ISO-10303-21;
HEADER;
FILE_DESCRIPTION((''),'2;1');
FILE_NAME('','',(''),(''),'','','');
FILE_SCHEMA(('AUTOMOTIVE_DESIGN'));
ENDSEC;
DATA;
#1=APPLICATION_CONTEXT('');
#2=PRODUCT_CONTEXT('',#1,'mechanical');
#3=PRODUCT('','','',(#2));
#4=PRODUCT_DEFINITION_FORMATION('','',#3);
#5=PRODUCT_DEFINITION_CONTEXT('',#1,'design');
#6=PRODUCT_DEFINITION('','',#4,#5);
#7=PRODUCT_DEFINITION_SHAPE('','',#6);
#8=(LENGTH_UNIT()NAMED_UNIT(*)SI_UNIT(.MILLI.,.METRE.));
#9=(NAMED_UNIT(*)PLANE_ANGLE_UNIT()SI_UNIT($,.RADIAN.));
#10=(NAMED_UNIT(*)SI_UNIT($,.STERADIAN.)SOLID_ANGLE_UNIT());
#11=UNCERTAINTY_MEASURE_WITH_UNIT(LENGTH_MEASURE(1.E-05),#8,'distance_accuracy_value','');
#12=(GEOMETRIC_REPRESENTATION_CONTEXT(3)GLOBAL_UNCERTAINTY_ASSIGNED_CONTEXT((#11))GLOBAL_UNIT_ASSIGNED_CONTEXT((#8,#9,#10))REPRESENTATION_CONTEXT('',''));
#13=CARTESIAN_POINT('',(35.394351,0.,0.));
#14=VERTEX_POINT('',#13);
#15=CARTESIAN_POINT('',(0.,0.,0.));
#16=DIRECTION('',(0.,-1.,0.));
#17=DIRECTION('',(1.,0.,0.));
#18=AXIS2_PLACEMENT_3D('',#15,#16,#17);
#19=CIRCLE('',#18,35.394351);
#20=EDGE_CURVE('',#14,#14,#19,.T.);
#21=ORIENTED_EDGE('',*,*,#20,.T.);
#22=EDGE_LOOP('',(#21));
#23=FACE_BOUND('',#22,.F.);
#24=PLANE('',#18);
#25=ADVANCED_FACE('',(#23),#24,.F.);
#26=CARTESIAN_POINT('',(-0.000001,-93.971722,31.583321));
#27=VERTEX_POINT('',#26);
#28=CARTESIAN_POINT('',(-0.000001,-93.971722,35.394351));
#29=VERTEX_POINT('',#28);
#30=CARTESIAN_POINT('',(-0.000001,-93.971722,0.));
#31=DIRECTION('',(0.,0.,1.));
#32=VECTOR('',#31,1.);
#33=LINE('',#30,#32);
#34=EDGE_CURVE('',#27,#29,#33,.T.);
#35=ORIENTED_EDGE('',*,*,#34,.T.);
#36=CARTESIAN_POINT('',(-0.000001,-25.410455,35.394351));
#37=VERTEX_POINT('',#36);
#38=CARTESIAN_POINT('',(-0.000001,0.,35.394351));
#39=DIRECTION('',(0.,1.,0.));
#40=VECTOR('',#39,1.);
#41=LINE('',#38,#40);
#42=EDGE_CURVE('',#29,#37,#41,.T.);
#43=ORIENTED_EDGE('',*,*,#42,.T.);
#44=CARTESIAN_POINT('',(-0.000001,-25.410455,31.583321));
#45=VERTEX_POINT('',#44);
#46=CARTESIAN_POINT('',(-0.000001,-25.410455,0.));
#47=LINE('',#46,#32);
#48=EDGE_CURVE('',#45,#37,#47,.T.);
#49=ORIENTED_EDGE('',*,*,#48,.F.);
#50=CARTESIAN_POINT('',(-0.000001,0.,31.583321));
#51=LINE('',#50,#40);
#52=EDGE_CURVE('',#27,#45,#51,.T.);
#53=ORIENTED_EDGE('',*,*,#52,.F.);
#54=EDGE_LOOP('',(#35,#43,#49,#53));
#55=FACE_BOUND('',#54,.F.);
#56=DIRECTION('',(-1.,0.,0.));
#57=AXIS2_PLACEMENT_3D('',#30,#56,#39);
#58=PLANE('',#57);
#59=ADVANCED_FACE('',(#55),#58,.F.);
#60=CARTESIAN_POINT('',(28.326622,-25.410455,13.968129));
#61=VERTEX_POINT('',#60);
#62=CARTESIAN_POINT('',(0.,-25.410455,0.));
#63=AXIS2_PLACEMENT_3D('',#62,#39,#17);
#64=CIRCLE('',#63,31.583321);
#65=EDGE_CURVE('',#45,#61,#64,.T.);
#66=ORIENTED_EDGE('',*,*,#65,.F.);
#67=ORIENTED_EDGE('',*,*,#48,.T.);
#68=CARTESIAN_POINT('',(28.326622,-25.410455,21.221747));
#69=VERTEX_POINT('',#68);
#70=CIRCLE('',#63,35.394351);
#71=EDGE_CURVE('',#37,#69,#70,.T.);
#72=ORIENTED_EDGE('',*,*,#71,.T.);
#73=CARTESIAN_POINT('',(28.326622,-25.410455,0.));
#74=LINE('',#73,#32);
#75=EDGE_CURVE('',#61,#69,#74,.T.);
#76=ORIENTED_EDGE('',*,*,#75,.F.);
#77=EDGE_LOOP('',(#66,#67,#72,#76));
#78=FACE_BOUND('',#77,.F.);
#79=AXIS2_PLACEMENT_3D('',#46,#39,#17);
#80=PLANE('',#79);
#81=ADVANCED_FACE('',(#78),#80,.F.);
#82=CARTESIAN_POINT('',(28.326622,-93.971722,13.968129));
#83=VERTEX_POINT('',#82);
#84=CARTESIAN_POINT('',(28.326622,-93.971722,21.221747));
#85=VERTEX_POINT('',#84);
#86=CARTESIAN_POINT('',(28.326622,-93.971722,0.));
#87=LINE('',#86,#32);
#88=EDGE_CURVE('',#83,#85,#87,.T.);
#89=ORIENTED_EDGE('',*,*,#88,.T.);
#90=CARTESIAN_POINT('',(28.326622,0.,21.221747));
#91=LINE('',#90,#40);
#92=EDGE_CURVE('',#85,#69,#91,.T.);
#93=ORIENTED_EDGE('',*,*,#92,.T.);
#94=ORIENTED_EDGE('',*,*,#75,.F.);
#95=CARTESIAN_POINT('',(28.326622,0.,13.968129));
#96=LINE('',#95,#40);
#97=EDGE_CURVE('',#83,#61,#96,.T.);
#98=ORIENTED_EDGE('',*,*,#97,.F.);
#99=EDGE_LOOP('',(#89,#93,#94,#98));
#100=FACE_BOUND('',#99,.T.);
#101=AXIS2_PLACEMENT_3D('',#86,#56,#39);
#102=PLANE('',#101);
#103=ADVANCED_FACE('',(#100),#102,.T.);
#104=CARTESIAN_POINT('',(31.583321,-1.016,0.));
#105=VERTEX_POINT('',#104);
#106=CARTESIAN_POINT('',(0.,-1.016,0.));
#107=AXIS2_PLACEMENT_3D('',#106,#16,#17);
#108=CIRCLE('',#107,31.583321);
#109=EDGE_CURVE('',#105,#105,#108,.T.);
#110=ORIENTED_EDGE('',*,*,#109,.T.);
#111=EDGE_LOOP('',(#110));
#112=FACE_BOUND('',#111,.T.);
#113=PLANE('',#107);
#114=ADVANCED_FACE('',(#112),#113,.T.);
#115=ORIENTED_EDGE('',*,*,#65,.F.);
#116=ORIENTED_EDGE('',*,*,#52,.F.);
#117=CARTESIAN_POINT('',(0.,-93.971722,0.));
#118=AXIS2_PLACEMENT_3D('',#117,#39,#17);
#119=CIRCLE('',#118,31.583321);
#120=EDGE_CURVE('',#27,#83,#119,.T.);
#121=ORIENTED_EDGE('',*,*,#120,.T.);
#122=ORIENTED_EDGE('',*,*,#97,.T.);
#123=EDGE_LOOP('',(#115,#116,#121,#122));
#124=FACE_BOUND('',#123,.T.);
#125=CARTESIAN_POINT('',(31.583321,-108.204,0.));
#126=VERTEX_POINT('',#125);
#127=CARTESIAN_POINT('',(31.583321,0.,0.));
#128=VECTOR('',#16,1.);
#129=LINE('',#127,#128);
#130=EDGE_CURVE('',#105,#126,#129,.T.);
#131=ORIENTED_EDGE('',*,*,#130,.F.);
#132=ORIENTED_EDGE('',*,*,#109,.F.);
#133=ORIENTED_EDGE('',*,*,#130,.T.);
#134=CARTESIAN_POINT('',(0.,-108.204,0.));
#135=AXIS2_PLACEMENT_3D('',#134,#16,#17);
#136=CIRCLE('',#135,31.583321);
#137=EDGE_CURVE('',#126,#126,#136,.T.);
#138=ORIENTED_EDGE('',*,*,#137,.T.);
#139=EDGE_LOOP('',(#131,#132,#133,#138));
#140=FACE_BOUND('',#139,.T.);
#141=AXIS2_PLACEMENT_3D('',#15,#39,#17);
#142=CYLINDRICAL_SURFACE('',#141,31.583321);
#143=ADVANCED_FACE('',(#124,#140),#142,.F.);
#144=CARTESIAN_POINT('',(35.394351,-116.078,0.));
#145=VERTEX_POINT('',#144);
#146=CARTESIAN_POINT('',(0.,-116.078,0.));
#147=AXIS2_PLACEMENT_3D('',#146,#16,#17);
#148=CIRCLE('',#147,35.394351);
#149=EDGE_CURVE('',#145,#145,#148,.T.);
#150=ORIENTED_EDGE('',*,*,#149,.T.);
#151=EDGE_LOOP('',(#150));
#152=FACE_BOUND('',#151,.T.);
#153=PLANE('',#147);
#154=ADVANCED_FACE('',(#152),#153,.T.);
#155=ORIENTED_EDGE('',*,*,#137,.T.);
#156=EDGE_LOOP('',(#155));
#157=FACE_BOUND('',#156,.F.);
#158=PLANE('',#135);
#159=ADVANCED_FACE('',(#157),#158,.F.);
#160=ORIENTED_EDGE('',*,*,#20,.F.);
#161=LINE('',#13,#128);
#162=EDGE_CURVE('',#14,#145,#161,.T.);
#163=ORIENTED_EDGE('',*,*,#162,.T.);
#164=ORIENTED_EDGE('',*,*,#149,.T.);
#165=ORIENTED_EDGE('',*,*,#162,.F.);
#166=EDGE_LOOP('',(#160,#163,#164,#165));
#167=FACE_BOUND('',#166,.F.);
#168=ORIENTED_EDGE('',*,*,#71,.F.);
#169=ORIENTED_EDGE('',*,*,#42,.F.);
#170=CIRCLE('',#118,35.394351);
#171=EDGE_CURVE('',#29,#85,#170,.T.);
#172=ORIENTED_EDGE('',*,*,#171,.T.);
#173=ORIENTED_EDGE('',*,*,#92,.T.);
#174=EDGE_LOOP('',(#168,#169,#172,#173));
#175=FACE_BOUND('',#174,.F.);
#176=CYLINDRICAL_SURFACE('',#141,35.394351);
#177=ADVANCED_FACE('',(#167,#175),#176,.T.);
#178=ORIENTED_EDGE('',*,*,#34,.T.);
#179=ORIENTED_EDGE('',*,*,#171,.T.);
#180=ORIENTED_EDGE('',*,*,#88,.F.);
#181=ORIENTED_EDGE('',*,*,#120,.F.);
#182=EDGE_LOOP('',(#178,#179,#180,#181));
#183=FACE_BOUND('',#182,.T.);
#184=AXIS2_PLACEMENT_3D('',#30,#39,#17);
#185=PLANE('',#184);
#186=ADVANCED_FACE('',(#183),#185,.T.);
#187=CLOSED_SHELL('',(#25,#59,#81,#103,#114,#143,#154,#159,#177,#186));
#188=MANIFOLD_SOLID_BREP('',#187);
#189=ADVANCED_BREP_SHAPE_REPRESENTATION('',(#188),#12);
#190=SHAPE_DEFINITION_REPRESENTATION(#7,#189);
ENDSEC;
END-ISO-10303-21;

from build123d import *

# Parameters (mm, degrees)
F0_R     = 35.394351
F1_DEPTH = 116.078
F2_R     = 31.583321
F3_DEPTH = 108.204
F4_DEPTH = 1.016
F5_W     = 28.326623
F5_H     = 68.561267
F6_DEPTH = 66.7


with BuildPart() as f1:
    # F0 (on Front) → F1 (new body)
    with BuildSketch(Plane.XZ):
        Circle(F0_R)
    extrude(amount=F1_DEPTH)

    # F2 (on Front) → F3 (cut)
    with BuildSketch(Plane.XZ):
        Circle(F2_R)
    extrude(amount=F3_DEPTH, mode=Mode.SUBTRACT)

    # F2 (on Front) → F4 (join)
    with BuildSketch(Plane.XZ):
        Circle(F2_R)
    extrude(amount=F4_DEPTH)

    # F5 (on Top) → F6 (cut)
    with BuildSketch(Plane.XY):
        with Locations((14.163311, -59.691088)):
            Rectangle(F5_W, F5_H)
    extrude(amount=F6_DEPTH, mode=Mode.SUBTRACT)


solid = f1.part
